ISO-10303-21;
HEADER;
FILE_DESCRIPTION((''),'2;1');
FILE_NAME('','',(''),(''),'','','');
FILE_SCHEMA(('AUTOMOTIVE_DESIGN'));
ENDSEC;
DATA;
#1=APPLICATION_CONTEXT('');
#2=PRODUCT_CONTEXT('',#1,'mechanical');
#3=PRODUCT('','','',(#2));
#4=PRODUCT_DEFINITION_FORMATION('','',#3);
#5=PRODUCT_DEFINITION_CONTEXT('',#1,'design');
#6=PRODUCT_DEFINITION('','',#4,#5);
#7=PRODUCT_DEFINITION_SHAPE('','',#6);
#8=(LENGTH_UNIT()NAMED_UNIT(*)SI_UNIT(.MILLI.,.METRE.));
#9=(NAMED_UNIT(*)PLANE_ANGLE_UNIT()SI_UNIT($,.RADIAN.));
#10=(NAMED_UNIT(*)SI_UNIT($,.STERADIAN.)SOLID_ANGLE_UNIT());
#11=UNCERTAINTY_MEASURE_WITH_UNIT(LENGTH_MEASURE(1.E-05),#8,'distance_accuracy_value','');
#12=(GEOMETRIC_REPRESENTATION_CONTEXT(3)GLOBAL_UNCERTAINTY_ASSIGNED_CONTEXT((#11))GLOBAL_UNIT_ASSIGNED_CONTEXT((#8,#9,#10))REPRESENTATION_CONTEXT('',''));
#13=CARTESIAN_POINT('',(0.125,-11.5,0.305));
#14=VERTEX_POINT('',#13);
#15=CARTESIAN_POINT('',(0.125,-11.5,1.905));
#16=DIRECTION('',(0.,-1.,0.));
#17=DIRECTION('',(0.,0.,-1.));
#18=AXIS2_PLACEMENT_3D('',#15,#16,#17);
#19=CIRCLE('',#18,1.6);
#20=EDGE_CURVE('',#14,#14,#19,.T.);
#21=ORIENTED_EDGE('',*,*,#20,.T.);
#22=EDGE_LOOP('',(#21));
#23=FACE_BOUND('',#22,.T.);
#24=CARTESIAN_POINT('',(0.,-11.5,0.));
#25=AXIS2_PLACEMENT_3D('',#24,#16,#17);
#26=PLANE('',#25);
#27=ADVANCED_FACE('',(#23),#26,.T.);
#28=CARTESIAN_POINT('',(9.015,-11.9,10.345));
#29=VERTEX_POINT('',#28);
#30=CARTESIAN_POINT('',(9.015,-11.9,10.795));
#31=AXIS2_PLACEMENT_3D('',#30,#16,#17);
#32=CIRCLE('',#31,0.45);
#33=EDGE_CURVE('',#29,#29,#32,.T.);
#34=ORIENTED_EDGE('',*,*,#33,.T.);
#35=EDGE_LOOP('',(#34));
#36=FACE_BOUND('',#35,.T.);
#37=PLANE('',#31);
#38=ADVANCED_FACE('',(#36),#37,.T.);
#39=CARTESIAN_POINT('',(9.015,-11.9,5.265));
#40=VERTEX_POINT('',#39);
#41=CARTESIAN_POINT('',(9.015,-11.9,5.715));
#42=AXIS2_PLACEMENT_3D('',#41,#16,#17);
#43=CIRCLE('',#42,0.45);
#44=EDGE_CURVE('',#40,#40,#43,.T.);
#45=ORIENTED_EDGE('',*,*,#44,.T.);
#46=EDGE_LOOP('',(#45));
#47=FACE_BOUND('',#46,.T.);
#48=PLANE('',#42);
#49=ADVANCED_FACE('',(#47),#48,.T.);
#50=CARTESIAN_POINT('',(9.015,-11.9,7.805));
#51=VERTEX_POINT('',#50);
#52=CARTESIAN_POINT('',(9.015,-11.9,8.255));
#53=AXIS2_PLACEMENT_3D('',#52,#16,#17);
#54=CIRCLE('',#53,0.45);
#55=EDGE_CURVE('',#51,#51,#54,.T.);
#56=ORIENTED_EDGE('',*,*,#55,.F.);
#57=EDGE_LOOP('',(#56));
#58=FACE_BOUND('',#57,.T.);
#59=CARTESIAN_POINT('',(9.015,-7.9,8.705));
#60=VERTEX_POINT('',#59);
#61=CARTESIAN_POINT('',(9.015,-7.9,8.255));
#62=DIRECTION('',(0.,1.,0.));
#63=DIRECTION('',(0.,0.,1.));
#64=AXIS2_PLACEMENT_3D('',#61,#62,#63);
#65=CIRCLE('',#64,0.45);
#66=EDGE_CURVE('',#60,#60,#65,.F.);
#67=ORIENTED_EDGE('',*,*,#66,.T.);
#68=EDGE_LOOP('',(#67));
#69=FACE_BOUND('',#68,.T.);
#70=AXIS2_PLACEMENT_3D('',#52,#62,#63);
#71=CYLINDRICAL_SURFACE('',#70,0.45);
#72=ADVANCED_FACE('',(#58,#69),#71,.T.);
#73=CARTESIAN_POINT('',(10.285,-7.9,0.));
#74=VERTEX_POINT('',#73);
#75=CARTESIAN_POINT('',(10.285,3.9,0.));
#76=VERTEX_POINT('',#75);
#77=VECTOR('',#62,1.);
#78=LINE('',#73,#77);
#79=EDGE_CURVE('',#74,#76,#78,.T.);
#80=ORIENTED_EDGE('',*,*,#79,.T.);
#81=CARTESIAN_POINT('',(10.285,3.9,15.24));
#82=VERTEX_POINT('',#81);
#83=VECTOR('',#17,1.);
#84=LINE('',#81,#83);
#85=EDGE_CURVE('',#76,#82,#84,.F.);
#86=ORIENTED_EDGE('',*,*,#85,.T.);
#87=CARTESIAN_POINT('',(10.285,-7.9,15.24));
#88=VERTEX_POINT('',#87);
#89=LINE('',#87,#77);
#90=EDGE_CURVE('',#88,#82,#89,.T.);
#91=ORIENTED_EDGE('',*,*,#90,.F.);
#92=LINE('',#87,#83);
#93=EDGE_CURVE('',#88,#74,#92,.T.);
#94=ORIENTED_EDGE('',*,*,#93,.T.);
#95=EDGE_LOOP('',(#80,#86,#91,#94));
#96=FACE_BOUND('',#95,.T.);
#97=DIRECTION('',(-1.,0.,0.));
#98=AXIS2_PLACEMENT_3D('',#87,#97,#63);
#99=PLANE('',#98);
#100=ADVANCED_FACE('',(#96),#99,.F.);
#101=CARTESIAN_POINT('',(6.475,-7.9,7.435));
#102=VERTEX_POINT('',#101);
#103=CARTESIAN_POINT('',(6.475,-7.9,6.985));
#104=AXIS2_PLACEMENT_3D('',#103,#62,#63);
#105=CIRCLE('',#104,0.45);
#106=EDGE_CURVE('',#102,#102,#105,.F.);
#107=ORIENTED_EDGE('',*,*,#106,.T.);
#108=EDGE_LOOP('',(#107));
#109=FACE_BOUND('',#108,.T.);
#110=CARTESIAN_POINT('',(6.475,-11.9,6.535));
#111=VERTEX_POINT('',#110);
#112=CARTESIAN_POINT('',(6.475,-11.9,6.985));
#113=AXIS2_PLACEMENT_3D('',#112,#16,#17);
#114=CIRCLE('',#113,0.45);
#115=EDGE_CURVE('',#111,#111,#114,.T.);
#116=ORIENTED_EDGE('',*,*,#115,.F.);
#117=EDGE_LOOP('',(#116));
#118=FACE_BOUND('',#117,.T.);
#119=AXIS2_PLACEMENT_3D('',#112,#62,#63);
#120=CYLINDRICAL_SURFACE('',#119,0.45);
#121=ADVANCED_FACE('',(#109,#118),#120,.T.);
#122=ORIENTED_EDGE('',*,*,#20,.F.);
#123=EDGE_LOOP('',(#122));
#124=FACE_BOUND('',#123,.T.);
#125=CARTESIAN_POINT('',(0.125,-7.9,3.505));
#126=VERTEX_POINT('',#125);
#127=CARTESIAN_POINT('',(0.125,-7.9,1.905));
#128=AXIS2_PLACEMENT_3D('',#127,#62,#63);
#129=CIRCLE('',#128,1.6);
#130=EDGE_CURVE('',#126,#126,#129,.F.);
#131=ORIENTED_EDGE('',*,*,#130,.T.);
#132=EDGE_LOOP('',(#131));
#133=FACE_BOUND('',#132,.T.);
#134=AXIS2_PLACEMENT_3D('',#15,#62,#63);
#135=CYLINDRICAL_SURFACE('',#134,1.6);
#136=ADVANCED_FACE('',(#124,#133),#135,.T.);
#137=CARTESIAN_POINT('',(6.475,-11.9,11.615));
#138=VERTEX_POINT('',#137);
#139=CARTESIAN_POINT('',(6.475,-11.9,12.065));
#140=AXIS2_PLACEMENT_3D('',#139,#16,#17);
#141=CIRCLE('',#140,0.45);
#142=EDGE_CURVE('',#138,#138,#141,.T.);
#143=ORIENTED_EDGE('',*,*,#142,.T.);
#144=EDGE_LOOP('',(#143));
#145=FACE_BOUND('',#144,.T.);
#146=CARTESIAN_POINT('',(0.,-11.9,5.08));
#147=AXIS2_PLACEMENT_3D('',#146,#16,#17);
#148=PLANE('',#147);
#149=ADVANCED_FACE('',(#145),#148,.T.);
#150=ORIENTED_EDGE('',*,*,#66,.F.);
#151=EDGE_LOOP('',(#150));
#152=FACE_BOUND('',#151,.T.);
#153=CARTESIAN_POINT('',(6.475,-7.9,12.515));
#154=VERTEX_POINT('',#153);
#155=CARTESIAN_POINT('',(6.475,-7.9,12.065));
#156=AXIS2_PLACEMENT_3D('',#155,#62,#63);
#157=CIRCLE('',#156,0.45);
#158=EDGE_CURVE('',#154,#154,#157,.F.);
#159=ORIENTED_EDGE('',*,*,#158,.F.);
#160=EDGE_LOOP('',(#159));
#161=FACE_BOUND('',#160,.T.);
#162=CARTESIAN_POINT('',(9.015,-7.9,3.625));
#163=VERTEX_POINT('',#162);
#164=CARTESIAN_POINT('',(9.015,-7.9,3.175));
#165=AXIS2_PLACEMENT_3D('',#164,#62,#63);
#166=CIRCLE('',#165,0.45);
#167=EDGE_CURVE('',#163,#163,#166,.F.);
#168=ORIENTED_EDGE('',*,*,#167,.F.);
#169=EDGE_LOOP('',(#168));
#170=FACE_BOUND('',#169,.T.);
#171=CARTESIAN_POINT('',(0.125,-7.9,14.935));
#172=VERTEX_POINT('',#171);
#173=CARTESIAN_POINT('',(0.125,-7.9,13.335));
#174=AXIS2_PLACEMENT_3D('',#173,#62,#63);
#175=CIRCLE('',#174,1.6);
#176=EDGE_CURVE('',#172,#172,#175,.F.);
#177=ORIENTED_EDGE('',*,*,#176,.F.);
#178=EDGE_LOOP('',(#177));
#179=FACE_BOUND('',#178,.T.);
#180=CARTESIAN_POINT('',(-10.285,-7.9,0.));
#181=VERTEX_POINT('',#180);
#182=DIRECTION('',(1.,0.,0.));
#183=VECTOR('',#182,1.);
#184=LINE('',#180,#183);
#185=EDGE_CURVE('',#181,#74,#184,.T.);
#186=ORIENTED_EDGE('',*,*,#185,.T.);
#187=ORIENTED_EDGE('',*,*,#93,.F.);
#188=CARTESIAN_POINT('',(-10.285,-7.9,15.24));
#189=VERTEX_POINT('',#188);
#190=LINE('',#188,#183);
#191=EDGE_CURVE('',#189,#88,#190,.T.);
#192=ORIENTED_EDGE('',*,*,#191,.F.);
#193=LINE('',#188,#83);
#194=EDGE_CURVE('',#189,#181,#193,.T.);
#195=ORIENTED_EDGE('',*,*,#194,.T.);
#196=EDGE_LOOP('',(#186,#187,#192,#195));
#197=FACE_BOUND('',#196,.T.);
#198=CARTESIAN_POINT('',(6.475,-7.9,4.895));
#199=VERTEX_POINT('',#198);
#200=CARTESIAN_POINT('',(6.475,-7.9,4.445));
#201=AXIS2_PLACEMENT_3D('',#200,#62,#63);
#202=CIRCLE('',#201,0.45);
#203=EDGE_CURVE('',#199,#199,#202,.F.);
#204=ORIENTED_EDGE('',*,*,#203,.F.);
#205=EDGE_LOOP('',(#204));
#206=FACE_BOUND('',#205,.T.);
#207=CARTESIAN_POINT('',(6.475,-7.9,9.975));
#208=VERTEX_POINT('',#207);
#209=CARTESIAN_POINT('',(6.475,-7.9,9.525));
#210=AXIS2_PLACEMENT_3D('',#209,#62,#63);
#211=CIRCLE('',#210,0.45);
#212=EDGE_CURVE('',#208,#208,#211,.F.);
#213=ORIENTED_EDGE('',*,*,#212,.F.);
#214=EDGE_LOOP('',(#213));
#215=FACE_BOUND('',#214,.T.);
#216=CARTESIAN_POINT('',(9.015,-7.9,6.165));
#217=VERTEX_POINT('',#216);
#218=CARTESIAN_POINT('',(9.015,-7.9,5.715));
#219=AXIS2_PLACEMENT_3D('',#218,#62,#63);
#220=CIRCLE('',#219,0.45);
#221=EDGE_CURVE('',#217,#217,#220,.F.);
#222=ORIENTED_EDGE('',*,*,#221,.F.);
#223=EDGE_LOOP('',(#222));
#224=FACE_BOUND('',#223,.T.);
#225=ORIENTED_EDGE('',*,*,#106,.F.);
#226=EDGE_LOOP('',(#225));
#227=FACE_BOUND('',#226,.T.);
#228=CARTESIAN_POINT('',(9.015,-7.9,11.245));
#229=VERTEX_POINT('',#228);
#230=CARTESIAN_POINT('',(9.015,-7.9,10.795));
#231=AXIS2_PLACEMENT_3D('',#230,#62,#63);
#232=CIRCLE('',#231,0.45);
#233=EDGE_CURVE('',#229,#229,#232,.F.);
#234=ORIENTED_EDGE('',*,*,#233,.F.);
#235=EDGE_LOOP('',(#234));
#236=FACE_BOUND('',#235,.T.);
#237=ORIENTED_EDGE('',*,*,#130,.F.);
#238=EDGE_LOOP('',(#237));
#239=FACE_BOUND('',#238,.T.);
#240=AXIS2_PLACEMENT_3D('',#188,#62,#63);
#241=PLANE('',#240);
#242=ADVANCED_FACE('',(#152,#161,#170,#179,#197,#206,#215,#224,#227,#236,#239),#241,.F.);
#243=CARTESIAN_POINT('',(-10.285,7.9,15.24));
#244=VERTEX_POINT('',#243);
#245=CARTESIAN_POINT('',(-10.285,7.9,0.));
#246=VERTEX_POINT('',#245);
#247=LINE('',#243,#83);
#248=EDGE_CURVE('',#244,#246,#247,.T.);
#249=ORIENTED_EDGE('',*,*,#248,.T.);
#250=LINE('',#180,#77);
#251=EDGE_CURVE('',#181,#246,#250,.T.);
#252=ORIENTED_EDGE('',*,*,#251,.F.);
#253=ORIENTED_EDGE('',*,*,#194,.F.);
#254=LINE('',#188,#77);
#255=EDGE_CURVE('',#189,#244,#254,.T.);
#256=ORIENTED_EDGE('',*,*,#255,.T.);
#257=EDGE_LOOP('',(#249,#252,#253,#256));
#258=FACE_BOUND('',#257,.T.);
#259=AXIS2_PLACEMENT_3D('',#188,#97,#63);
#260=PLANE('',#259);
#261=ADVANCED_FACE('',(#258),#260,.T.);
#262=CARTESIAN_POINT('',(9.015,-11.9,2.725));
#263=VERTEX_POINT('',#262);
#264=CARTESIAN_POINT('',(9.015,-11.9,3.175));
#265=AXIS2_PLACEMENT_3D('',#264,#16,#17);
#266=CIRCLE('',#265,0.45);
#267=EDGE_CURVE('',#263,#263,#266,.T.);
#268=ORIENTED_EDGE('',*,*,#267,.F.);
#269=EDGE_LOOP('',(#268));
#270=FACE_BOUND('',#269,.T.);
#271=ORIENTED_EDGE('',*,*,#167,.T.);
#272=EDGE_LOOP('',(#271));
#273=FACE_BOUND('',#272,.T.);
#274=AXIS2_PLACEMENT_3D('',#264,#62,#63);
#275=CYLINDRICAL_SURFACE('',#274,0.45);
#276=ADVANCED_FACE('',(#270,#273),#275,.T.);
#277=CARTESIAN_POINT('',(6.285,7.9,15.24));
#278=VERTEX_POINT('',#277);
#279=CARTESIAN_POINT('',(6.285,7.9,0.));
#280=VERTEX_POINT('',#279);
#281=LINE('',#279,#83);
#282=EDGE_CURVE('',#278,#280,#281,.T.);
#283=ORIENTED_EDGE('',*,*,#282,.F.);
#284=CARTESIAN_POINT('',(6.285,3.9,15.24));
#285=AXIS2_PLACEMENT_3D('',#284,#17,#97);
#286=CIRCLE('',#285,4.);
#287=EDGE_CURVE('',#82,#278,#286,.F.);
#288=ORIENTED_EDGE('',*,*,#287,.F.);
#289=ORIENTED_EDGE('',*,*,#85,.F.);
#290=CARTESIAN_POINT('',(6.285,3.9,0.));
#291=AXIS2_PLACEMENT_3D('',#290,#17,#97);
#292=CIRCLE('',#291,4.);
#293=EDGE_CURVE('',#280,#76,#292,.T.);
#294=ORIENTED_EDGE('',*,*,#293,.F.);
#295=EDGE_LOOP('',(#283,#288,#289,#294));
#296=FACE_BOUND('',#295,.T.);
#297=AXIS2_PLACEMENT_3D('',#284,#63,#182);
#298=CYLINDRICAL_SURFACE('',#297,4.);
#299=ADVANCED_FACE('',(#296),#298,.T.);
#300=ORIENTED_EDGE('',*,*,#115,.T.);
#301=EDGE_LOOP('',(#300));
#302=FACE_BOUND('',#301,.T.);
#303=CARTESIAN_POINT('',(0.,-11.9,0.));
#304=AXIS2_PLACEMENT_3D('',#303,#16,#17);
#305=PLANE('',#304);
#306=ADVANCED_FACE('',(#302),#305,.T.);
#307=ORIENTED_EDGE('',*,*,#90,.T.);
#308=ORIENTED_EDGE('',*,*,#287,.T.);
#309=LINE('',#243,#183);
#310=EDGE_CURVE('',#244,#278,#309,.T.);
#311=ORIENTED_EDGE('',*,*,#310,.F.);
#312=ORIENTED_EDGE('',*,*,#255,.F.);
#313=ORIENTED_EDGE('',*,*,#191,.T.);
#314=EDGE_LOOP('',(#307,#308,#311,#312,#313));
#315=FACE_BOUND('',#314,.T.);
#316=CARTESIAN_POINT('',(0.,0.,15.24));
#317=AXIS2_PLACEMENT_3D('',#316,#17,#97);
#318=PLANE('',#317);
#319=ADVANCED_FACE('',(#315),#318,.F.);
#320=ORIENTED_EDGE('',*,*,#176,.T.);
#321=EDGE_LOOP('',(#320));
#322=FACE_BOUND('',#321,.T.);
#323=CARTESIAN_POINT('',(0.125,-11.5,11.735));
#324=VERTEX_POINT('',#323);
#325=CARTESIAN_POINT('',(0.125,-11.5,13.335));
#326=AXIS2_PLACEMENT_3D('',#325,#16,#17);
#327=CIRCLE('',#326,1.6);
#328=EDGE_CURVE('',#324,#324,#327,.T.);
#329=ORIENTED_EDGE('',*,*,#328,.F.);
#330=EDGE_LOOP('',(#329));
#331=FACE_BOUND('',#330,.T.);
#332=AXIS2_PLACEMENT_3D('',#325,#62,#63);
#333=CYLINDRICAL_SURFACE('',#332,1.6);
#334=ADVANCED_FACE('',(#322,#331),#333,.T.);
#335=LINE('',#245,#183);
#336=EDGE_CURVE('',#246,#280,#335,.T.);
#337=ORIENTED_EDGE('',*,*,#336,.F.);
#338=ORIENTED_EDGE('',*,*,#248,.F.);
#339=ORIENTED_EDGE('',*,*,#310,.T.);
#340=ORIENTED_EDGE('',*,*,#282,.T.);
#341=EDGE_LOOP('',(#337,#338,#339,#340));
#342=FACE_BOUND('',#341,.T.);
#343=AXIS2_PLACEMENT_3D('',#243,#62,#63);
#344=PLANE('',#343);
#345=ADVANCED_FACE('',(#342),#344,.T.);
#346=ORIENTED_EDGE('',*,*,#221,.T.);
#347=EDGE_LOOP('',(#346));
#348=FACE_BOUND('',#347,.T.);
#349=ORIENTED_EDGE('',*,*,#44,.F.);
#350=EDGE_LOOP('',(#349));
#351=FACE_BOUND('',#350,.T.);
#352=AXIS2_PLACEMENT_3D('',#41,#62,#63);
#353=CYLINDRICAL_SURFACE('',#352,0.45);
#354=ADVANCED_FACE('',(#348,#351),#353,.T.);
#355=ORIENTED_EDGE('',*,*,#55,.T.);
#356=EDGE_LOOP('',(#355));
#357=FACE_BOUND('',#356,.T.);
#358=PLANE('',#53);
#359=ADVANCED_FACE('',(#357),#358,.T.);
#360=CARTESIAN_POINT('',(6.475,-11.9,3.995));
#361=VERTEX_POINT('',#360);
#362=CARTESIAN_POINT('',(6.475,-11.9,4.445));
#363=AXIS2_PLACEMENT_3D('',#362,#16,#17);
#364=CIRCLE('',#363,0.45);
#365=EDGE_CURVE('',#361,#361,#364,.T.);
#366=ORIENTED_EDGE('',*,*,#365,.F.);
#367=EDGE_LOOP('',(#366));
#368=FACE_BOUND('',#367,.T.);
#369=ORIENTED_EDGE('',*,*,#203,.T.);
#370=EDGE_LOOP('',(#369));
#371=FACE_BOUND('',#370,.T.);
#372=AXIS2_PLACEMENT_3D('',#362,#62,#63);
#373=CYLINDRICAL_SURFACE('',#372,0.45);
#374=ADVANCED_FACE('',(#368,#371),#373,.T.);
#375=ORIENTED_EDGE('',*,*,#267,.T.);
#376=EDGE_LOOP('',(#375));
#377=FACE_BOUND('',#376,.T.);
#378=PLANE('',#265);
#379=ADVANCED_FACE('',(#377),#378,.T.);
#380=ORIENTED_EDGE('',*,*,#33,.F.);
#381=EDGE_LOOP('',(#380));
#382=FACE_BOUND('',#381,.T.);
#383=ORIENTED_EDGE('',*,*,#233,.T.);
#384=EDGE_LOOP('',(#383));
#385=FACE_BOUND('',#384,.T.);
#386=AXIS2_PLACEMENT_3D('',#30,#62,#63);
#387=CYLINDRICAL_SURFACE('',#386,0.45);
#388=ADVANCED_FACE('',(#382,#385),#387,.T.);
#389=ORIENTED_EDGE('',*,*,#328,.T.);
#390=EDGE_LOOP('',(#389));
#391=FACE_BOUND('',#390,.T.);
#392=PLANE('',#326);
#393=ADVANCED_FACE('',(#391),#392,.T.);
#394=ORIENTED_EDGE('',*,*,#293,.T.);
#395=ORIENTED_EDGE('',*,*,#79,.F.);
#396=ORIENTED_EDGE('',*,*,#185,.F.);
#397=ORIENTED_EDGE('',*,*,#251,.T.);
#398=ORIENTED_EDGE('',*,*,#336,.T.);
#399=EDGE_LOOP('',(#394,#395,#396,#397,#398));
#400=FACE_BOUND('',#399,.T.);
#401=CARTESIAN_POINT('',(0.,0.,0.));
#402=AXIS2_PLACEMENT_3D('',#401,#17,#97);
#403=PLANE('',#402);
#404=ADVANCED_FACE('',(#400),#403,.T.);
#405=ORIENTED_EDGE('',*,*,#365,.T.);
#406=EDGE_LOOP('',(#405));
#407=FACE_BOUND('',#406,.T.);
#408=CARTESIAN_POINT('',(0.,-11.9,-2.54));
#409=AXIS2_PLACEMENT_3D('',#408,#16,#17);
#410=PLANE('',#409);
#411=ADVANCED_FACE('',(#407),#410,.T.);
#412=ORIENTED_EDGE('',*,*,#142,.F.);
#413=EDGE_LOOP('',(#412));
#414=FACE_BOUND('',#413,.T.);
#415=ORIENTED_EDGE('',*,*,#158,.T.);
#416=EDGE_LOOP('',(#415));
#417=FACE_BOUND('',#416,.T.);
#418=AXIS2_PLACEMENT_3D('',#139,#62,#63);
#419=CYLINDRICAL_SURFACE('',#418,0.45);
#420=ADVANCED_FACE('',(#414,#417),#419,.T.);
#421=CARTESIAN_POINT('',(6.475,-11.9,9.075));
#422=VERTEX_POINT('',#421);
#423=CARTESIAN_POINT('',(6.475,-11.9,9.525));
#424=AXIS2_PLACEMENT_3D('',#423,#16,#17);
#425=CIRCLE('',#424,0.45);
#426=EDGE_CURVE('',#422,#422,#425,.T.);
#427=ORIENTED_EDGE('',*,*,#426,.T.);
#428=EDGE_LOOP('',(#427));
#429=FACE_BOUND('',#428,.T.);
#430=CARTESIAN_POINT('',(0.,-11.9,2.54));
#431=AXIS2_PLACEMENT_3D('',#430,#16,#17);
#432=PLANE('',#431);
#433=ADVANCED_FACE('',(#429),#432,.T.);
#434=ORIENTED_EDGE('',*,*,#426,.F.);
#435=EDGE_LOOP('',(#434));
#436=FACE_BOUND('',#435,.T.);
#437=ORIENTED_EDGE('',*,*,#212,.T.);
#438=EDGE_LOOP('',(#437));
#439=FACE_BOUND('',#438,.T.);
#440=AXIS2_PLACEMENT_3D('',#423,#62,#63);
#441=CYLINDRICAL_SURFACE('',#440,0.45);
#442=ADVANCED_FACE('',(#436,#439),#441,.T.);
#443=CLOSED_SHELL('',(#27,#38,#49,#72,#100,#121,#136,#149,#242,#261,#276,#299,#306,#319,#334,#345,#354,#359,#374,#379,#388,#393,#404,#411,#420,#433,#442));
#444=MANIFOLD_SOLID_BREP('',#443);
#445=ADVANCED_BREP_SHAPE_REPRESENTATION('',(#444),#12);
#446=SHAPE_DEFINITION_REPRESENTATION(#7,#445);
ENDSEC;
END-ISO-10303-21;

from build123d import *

# Parameters (mm, degrees)
SKETCH1_W            = 20.57
SKETCH1_H            = 15.8
BOSS_EXTRUDE1_DEPTH  = 15.24
FILLET1_R            = 4
SKETCH2_R            = 1.6
BOSS_EXTRUDE2_DEPTH  = 3.6
SKETCH2_4_R          = 0.45
BOSS_EXTRUDE3_DEPTH  = 4
SKETCH2_5_R          = 0.45
BOSS_EXTRUDE4_DEPTH  = 4
LPATTERN1_COUNT      = 3
LPATTERN1_PITCH      = 2.54
LPATTERN1_COUNT_DIR2 = 2
LPATTERN1_PITCH_DIR2 = 2.54
LPATTERN2_COUNT      = 2
LPATTERN2_PITCH      = 2.54
LPATTERN2_COUNT_DIR2 = 3
LPATTERN2_PITCH_DIR2 = 2.54


with BuildPart() as part:
    # Sketch1 → Boss-Extrude1 (new body)
    with BuildSketch(Plane.XY):
        Rectangle(SKETCH1_W, SKETCH1_H)
    extrude(amount=BOSS_EXTRUDE1_DEPTH)

    # Fillet1
    fillet1_edges = [part.edges().sort_by_distance(p)[0] for p in [
        (10.285, 7.9, 7.62),
    ]]
    fillet(fillet1_edges, radius=FILLET1_R)

    # Sketch2 → Boss-Extrude2 (add)
    with BuildSketch(Plane.XZ.offset(7.9)):
        with Locations((0.125, 13.335)):
            Circle(SKETCH2_R)
        with Locations((0.125, 1.905)):
            Circle(SKETCH2_R)
    extrude(amount=BOSS_EXTRUDE2_DEPTH)

    # Sketch2<4> → Boss-Extrude3 (add)
    with BuildSketch(Plane.XZ.offset(7.9)):
        with Locations((6.475, 6.985)):
            Circle(SKETCH2_4_R)
    boss_extrude3 = extrude(amount=BOSS_EXTRUDE3_DEPTH)

    # Sketch2<5> → Boss-Extrude4 (add)
    with BuildSketch(Plane.XZ.offset(7.9)):
        with Locations((9.015, 8.255)):
            Circle(SKETCH2_5_R)
    boss_extrude4 = extrude(amount=BOSS_EXTRUDE4_DEPTH)

    # LPattern1: Boss-Extrude4 3 × 2
    with Locations(*[Vector(0, 0, -1) * (i * LPATTERN1_PITCH) + Vector(0, 0, 1) * (j * LPATTERN1_PITCH_DIR2) for i in range(LPATTERN1_COUNT) for j in range(LPATTERN1_COUNT_DIR2) if (i, j) != (0, 0)]):
        add(boss_extrude4)

    # LPattern2: Boss-Extrude3 2 × 3
    with Locations(*[Vector(0, 0, -1) * (i * LPATTERN2_PITCH) + Vector(0, 0, 1) * (j * LPATTERN2_PITCH_DIR2) for i in range(LPATTERN2_COUNT) for j in range(LPATTERN2_COUNT_DIR2) if (i, j) != (0, 0)]):
        add(boss_extrude3)


solid = part.part
